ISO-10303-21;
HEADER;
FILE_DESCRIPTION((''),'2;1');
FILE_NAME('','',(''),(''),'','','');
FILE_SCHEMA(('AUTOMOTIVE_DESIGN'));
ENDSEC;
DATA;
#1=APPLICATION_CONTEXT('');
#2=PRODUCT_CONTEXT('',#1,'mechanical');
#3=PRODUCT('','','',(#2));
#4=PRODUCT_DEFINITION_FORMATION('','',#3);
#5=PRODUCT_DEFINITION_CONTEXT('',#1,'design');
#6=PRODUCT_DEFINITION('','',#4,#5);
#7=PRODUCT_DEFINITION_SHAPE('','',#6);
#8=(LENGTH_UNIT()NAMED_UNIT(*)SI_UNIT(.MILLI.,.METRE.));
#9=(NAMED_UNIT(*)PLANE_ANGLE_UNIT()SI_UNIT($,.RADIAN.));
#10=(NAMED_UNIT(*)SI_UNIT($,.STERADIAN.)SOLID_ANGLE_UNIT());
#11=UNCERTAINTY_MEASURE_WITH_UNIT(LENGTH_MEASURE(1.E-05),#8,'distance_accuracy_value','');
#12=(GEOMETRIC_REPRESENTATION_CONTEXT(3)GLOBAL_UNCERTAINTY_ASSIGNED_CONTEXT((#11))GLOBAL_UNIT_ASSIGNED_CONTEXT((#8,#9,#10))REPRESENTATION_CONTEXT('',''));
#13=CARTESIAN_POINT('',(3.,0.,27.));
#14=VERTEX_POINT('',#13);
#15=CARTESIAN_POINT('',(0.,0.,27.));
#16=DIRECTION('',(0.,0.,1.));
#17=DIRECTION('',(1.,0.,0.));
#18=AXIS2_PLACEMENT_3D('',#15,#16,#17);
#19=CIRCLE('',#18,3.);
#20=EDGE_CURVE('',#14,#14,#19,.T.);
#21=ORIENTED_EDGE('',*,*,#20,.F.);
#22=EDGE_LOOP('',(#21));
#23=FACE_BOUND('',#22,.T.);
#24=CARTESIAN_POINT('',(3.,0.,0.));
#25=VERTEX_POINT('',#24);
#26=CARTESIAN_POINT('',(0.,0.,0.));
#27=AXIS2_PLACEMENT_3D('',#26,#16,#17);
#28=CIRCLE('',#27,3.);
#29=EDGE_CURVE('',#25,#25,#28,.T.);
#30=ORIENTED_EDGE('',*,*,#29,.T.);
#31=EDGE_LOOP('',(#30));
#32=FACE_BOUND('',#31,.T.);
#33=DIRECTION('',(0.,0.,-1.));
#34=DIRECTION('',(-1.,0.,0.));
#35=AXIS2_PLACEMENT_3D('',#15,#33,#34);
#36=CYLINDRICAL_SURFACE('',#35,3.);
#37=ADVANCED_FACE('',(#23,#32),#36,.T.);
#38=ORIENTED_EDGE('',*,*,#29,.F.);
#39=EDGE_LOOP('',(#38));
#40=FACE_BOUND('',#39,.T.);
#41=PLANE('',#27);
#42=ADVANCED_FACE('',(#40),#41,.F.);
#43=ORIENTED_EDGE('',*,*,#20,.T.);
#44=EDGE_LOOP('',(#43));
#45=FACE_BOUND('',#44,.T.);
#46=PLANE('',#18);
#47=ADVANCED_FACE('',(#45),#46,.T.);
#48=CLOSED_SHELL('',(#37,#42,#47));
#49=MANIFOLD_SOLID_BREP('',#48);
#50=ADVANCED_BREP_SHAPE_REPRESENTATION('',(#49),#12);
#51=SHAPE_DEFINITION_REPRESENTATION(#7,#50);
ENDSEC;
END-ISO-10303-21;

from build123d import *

# Parameters (mm, degrees)
SKETCH_1_R      = 3
EXTRUDE_1_DEPTH = 27


with BuildPart() as part:
    # 스케치1 → 보스-돌출1 (new body)
    with BuildSketch(Plane.XY):
        Circle(SKETCH_1_R)
    extrude(amount=EXTRUDE_1_DEPTH)


solid = part.part
